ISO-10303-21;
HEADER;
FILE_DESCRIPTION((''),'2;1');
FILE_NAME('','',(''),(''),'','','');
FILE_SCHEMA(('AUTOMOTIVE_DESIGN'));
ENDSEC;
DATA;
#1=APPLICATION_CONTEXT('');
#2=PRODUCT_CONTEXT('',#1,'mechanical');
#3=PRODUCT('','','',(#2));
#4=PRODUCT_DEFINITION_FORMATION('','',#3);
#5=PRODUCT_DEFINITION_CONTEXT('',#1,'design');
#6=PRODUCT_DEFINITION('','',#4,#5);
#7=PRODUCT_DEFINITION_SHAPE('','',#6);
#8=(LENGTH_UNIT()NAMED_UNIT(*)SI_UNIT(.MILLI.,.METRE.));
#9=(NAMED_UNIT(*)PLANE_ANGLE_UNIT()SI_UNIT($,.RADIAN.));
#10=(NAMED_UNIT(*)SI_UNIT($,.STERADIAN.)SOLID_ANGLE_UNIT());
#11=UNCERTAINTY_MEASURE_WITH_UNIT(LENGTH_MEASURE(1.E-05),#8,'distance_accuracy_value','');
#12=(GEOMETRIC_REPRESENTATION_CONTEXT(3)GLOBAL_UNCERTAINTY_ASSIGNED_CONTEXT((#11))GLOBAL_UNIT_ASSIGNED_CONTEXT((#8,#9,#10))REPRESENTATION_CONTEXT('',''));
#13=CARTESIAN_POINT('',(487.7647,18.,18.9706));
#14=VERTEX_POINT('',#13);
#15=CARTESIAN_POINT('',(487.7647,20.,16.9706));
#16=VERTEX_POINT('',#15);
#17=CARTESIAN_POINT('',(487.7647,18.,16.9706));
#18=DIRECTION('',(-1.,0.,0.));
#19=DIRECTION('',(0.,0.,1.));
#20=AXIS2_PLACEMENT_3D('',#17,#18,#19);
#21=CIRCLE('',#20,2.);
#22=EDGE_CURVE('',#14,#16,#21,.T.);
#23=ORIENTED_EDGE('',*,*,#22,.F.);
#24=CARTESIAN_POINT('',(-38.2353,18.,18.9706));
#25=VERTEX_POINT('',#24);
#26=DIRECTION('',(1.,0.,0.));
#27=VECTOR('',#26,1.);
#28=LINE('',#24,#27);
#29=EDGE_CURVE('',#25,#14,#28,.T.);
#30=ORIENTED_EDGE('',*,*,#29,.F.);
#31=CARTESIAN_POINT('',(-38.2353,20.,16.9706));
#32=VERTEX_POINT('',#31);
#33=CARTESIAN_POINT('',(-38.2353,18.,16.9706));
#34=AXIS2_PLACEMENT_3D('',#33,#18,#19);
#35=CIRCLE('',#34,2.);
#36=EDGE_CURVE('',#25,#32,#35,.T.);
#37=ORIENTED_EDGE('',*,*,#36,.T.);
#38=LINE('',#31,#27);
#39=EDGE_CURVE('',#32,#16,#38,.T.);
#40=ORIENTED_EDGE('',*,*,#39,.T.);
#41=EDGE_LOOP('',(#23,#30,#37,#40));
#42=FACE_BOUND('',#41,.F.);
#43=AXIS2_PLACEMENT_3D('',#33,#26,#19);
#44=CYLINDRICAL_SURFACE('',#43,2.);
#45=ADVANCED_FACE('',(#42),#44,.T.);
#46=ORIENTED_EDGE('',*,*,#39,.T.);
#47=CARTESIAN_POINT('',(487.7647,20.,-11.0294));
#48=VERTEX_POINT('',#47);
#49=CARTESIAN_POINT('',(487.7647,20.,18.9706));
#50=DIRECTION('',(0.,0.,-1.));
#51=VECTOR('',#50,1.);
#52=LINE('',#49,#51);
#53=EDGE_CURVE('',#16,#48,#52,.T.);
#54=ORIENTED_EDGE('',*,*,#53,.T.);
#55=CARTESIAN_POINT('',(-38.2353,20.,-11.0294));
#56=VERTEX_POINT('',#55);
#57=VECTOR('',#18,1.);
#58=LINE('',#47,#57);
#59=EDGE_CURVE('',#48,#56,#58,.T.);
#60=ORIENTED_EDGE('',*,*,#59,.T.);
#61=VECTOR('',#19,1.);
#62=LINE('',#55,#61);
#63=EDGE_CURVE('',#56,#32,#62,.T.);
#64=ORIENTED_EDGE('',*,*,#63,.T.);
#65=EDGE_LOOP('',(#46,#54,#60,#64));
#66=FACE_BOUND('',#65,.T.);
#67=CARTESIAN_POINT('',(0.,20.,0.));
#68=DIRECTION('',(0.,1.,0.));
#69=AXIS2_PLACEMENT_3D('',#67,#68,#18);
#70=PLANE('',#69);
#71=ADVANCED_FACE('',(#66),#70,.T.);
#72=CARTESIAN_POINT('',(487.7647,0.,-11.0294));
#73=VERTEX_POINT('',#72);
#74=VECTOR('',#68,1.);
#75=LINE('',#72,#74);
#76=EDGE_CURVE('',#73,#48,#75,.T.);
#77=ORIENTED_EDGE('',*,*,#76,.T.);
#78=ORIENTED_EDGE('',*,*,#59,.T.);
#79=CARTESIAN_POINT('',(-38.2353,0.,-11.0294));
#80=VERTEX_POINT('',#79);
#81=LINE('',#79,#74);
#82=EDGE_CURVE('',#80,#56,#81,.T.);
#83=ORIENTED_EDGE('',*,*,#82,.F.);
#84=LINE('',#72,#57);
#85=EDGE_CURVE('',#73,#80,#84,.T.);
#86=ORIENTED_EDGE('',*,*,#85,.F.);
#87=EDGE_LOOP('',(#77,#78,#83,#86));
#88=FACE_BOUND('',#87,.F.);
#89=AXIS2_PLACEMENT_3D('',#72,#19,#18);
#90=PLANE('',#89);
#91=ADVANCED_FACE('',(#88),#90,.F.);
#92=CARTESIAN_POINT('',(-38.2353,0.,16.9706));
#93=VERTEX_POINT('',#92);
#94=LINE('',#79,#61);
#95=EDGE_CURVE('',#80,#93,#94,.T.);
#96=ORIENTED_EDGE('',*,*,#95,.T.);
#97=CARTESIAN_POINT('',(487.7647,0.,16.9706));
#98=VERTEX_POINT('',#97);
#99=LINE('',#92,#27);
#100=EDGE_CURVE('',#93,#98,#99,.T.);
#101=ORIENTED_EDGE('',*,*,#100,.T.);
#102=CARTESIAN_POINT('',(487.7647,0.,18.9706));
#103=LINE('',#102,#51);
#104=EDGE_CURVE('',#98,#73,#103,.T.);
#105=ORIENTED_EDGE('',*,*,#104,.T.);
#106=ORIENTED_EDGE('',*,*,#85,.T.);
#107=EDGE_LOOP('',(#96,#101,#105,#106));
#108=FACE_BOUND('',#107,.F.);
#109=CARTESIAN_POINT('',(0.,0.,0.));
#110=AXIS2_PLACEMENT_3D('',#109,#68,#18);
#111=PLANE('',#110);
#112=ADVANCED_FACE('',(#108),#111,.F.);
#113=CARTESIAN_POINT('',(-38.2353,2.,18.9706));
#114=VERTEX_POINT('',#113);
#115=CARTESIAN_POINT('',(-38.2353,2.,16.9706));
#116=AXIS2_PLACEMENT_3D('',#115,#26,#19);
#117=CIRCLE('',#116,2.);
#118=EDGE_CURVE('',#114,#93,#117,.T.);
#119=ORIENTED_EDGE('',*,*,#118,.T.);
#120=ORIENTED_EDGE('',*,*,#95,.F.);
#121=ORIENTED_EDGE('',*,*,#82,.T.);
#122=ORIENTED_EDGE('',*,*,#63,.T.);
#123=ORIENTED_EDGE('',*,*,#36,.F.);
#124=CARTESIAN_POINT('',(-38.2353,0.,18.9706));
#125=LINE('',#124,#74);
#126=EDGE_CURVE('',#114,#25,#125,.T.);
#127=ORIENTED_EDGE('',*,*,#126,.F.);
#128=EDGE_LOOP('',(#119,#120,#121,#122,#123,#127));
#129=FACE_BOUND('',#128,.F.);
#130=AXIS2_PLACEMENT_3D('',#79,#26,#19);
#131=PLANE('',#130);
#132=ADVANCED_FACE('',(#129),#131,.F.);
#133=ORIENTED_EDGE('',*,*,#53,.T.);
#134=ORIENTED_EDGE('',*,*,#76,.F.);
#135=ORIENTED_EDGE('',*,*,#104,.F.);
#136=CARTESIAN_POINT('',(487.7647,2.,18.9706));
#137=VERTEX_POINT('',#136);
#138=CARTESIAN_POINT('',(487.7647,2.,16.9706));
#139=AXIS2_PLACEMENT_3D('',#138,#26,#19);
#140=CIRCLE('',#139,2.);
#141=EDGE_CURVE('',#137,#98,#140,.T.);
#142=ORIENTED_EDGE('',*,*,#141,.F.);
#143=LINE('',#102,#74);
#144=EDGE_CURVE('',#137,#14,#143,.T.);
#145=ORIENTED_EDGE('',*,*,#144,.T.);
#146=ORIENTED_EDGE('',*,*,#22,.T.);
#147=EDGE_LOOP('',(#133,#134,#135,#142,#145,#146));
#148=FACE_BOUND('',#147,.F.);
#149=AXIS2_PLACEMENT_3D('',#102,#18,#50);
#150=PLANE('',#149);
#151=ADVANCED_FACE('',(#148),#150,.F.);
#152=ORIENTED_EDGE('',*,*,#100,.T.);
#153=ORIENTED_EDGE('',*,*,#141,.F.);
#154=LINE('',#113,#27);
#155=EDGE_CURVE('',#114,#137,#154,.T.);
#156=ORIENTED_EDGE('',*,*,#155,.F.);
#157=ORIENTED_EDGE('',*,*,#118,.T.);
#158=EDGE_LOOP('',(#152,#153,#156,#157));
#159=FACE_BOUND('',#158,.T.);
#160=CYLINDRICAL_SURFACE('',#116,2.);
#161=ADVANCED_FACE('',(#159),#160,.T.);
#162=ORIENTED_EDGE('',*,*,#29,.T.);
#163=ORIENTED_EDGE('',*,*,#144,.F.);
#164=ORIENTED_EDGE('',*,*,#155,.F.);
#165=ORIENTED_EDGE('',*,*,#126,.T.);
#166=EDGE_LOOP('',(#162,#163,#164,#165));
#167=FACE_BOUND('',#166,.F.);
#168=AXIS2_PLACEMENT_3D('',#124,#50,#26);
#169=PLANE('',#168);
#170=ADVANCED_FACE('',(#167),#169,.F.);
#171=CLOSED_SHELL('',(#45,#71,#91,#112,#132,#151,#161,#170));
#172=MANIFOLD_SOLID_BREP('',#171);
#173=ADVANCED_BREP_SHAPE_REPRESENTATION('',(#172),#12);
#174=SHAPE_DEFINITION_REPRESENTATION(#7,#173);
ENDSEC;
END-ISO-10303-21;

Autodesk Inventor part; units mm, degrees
ref_plane "YZ Plane" through (0, 0, 0) normal (1, 0, 0) x (0, 1, 0)
ref_plane "XZ Plane" through (0, 0, 0) normal (0, 1, 0) x (-1, 0, 0)
ref_plane "XY Plane" through (0, 0, 0) normal (0, 0, 1) x (1, 0, 0)
sketch "Skizze1" plane through (0, 0, 0) normal (0, 1, 0) x (-1, 0, 0)
  line L0 (38.2353, 18.9706) -> (-487.7647, 18.9706)
  line L1 (-487.7647, 18.9706) -> (-487.7647, -11.0294)
  line L2 (-487.7647, -11.0294) -> (38.2353, -11.0294)
  line L3 (38.2353, -11.0294) -> (38.2353, 18.9706)
  point P0 (0, 0)
  dimension "d0" = 30
  dimension "d1" = 526
extrude "Extrusion1" add sketch "Skizze1" along normal blind 20
fillet "Rundung1" radius 2 2 edges at (224.7647, 0, 18.9706) (224.7647, 20, 18.9706)
properties part number "VerstaerkungUnten"
